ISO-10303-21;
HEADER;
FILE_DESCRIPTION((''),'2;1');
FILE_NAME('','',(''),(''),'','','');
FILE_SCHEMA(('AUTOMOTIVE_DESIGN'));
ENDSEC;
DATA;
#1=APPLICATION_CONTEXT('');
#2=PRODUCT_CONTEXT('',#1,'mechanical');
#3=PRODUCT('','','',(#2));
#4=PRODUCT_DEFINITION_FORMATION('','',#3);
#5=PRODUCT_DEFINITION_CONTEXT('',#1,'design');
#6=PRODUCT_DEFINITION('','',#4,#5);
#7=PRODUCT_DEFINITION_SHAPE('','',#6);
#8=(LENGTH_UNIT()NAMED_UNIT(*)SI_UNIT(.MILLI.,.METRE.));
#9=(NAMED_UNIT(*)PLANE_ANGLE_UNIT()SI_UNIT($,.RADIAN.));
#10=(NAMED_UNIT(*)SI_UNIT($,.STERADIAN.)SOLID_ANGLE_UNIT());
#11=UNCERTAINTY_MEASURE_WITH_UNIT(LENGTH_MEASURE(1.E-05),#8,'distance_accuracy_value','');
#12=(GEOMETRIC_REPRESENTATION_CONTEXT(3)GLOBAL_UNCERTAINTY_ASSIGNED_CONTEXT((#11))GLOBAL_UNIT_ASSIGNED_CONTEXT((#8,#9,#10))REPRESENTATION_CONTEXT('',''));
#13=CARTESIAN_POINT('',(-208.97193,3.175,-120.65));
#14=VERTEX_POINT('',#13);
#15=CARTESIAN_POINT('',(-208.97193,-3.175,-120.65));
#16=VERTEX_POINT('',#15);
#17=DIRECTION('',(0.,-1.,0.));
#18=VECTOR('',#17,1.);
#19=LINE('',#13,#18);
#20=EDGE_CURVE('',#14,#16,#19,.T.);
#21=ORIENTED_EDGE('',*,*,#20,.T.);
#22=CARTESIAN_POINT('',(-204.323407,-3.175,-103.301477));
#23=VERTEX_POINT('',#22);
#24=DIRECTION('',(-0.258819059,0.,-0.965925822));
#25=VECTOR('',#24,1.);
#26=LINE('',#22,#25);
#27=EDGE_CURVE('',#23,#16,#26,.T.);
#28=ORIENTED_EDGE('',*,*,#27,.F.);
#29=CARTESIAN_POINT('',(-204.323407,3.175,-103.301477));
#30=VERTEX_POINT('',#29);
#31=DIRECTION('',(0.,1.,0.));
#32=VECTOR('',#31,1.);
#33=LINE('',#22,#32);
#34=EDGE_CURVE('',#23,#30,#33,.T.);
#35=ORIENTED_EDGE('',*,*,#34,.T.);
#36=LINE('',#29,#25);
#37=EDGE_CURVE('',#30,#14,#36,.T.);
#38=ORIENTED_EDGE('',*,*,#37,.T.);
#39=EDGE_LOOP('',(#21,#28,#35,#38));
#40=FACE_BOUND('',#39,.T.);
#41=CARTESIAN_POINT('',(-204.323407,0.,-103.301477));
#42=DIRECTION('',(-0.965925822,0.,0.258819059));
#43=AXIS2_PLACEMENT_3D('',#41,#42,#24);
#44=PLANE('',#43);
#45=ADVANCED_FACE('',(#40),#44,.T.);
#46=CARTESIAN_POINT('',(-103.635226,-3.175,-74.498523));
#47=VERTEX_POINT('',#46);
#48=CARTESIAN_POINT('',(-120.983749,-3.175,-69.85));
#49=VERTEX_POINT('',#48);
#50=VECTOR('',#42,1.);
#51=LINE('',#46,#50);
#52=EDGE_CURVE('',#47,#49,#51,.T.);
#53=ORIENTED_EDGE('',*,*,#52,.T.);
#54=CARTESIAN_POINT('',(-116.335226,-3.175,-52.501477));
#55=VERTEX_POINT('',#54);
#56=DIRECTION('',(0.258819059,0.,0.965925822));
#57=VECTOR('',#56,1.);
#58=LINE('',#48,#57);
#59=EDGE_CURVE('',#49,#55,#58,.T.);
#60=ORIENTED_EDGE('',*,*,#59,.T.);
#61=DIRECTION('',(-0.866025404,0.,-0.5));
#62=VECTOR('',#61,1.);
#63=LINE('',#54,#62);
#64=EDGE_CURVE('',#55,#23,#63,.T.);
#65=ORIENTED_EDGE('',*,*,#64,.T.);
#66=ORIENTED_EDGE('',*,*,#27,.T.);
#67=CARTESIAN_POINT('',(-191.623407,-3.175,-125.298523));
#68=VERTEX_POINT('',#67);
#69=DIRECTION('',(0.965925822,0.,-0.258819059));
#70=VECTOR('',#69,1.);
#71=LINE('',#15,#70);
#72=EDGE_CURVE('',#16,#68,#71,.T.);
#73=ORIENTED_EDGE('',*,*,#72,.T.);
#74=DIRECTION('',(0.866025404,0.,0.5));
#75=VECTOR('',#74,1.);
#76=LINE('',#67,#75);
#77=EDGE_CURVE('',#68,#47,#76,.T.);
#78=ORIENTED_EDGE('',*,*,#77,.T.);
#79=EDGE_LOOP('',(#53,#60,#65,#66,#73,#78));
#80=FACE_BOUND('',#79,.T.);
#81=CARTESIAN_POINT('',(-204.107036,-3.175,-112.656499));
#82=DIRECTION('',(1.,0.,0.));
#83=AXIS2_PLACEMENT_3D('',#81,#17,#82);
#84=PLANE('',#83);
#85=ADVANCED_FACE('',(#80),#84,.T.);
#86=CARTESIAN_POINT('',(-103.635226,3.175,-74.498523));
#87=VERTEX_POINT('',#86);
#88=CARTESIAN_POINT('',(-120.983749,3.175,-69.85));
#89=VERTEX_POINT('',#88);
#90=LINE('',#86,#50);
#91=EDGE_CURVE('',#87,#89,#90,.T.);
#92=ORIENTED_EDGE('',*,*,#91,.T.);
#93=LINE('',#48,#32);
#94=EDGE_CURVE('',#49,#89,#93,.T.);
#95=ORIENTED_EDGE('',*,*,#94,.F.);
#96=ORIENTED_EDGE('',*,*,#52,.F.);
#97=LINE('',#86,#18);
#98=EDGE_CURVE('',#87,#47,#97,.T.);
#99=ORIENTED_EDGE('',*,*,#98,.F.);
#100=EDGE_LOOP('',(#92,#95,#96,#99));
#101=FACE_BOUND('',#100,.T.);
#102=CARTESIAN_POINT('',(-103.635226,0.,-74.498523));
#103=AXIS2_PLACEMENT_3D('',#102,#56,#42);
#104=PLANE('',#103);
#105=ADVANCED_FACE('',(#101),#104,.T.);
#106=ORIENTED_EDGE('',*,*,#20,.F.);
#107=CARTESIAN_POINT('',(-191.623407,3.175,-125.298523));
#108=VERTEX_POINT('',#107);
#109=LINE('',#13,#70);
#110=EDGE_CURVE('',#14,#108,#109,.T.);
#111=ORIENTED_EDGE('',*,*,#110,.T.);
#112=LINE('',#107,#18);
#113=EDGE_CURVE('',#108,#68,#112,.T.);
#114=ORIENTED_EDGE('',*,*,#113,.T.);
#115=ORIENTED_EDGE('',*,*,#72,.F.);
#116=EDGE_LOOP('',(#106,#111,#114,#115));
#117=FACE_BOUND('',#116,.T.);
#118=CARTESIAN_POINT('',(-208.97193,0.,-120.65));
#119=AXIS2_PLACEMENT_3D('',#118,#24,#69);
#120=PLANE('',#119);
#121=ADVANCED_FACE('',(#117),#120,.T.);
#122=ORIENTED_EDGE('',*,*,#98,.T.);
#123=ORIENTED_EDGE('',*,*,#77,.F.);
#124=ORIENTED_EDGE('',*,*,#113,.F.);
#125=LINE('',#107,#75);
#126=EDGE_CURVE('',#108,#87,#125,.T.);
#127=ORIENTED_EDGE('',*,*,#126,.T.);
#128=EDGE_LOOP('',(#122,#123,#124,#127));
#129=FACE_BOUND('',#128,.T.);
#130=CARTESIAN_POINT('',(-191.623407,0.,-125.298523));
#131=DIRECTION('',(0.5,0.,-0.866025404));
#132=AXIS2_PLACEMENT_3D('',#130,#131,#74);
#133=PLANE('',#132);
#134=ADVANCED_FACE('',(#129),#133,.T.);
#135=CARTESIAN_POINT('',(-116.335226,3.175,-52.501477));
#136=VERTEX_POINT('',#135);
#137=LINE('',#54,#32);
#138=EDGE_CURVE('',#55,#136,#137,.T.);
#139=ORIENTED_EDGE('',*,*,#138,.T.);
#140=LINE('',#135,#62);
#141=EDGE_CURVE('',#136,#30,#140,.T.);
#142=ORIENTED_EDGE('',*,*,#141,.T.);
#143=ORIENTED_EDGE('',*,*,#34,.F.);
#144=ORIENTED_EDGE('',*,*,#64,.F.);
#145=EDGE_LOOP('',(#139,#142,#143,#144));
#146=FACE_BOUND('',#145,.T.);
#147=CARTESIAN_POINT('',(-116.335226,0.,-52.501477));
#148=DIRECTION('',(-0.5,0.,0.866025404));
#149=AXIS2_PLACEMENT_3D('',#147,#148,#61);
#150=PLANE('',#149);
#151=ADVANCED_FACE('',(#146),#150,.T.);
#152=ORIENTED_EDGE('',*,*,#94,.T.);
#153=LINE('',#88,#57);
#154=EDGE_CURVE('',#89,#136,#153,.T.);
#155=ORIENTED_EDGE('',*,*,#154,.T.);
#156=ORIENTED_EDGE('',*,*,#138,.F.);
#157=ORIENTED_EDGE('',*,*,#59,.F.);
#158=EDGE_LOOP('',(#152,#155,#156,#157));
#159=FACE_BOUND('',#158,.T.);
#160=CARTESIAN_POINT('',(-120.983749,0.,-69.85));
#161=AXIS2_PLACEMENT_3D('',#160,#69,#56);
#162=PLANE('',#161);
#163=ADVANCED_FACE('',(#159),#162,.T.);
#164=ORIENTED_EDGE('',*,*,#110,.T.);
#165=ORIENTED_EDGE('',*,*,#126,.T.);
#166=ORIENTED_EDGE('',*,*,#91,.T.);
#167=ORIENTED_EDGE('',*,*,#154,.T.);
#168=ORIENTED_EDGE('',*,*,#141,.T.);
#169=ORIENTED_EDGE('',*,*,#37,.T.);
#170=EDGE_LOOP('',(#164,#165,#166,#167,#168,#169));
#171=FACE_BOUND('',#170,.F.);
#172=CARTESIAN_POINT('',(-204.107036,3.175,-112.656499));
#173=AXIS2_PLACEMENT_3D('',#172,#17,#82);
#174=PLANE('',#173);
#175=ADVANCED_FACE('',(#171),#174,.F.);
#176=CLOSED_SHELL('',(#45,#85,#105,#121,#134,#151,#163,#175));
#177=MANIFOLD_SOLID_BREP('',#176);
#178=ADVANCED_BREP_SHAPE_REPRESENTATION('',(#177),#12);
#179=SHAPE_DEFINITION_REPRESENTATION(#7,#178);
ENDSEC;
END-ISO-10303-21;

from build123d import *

# Parameters (mm, degrees)
F1_DEPTH = 3.175


with BuildPart() as f1:
    # F0 (on Front) → F1 (new body, symmetric)
    with BuildSketch(Plane.XZ):
        Polygon((-204.323407, -103.301477), (-208.97193, -120.65), (-197.973407, -114.3), align=None)
        Polygon((-208.97193, -120.65), (-191.623407, -125.298523), (-197.973407, -114.3), align=None)
        Polygon((-197.973407, -114.3), (-191.623407, -125.298523), (-103.635226, -74.498523), (-120.983749, -69.85), align=None)
        Polygon((-204.323407, -103.301477), (-197.973407, -114.3), (-120.983749, -69.85), (-116.335226, -52.501477), align=None)
    extrude(amount=F1_DEPTH, both=True)


solid = f1.part
